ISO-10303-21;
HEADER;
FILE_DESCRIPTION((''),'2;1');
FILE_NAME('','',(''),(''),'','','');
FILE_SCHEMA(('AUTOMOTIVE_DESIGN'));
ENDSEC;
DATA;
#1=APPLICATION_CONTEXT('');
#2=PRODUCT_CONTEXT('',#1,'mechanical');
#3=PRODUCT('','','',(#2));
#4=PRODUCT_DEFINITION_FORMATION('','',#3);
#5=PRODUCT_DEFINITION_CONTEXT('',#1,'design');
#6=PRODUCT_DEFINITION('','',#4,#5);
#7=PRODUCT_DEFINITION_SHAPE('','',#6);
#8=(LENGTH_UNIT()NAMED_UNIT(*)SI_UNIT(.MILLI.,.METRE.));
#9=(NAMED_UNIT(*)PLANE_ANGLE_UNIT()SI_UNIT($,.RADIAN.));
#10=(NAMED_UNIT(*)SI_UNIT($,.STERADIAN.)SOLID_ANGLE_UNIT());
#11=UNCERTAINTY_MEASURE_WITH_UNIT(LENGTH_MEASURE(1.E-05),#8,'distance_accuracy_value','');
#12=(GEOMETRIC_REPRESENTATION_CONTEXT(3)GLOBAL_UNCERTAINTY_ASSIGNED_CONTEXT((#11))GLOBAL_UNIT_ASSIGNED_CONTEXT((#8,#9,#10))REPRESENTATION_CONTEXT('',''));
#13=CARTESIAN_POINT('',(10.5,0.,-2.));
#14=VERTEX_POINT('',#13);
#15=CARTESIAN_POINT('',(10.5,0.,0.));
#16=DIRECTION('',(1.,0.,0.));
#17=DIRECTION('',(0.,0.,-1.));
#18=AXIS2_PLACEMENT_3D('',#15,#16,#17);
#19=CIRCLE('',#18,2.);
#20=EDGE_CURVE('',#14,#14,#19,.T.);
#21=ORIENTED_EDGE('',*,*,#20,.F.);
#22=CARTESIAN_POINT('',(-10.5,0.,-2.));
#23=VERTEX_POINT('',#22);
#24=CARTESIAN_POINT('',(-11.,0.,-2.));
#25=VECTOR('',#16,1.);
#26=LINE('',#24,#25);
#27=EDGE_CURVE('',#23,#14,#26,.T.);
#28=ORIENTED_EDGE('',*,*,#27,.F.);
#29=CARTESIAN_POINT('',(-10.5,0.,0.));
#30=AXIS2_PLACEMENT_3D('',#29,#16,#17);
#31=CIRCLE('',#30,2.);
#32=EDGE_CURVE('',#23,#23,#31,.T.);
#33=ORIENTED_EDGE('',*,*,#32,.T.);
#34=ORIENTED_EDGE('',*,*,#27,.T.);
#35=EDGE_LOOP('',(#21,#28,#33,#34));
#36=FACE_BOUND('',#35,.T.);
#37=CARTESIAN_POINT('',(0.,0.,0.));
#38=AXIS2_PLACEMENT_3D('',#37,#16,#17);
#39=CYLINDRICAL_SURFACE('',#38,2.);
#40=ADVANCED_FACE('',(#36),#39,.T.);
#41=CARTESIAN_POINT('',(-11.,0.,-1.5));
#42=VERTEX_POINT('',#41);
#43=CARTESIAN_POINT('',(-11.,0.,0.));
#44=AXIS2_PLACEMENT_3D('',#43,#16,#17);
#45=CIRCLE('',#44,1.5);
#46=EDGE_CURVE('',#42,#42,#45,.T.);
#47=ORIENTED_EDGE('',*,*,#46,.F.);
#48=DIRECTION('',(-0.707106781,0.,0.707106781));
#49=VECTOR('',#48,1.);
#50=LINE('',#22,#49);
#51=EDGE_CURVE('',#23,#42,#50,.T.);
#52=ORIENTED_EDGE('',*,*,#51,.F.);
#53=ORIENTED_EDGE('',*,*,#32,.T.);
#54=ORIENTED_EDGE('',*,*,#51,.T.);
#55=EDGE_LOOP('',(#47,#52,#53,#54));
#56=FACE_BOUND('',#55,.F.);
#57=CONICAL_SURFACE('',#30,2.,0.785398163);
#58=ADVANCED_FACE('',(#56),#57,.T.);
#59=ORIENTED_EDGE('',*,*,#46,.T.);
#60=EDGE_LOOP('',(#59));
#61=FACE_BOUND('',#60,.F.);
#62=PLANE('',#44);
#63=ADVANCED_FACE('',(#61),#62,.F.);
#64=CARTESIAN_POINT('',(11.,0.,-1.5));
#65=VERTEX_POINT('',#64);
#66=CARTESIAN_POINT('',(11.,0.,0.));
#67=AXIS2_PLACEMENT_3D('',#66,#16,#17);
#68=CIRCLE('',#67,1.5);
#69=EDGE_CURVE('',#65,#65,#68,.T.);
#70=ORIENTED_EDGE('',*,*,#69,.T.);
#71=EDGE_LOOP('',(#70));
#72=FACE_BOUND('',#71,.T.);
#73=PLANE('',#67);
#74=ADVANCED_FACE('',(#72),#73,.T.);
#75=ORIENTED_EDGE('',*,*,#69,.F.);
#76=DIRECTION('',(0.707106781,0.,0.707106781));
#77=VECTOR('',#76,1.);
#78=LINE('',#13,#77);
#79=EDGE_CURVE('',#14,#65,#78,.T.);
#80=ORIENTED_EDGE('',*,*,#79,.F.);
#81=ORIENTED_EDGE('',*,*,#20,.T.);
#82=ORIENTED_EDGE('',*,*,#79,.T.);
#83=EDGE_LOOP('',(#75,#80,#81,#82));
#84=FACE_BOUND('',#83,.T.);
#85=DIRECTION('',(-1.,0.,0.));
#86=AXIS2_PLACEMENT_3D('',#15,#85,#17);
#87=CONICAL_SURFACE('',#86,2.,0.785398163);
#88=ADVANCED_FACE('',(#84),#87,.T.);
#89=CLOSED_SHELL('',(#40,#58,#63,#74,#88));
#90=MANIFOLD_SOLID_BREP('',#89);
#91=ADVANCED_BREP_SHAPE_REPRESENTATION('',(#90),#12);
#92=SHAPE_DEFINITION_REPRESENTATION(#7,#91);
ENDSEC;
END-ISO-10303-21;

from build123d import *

# Parameters (mm, degrees)
SKETCH1_R           = 2
BOSS_EXTRUDE1_DEPTH = 11
CHAMFER1_SIZE       = 0.5


with BuildPart() as part:
    # Sketch1 → Boss-Extrude1 (new body, symmetric)
    with BuildSketch(Plane(origin=(0, 0, 0), x_dir=(0, 0, -1), z_dir=(1, 0, 0))):
        Circle(SKETCH1_R)
    extrude(amount=BOSS_EXTRUDE1_DEPTH, both=True)

    # Chamfer1
    chamfer1_edges = [part.edges().sort_by_distance(p)[0] for p in [
        (-11, 0, 2),
        (11, 0, 2),
    ]]
    chamfer(chamfer1_edges, length=CHAMFER1_SIZE)


solid = part.part
